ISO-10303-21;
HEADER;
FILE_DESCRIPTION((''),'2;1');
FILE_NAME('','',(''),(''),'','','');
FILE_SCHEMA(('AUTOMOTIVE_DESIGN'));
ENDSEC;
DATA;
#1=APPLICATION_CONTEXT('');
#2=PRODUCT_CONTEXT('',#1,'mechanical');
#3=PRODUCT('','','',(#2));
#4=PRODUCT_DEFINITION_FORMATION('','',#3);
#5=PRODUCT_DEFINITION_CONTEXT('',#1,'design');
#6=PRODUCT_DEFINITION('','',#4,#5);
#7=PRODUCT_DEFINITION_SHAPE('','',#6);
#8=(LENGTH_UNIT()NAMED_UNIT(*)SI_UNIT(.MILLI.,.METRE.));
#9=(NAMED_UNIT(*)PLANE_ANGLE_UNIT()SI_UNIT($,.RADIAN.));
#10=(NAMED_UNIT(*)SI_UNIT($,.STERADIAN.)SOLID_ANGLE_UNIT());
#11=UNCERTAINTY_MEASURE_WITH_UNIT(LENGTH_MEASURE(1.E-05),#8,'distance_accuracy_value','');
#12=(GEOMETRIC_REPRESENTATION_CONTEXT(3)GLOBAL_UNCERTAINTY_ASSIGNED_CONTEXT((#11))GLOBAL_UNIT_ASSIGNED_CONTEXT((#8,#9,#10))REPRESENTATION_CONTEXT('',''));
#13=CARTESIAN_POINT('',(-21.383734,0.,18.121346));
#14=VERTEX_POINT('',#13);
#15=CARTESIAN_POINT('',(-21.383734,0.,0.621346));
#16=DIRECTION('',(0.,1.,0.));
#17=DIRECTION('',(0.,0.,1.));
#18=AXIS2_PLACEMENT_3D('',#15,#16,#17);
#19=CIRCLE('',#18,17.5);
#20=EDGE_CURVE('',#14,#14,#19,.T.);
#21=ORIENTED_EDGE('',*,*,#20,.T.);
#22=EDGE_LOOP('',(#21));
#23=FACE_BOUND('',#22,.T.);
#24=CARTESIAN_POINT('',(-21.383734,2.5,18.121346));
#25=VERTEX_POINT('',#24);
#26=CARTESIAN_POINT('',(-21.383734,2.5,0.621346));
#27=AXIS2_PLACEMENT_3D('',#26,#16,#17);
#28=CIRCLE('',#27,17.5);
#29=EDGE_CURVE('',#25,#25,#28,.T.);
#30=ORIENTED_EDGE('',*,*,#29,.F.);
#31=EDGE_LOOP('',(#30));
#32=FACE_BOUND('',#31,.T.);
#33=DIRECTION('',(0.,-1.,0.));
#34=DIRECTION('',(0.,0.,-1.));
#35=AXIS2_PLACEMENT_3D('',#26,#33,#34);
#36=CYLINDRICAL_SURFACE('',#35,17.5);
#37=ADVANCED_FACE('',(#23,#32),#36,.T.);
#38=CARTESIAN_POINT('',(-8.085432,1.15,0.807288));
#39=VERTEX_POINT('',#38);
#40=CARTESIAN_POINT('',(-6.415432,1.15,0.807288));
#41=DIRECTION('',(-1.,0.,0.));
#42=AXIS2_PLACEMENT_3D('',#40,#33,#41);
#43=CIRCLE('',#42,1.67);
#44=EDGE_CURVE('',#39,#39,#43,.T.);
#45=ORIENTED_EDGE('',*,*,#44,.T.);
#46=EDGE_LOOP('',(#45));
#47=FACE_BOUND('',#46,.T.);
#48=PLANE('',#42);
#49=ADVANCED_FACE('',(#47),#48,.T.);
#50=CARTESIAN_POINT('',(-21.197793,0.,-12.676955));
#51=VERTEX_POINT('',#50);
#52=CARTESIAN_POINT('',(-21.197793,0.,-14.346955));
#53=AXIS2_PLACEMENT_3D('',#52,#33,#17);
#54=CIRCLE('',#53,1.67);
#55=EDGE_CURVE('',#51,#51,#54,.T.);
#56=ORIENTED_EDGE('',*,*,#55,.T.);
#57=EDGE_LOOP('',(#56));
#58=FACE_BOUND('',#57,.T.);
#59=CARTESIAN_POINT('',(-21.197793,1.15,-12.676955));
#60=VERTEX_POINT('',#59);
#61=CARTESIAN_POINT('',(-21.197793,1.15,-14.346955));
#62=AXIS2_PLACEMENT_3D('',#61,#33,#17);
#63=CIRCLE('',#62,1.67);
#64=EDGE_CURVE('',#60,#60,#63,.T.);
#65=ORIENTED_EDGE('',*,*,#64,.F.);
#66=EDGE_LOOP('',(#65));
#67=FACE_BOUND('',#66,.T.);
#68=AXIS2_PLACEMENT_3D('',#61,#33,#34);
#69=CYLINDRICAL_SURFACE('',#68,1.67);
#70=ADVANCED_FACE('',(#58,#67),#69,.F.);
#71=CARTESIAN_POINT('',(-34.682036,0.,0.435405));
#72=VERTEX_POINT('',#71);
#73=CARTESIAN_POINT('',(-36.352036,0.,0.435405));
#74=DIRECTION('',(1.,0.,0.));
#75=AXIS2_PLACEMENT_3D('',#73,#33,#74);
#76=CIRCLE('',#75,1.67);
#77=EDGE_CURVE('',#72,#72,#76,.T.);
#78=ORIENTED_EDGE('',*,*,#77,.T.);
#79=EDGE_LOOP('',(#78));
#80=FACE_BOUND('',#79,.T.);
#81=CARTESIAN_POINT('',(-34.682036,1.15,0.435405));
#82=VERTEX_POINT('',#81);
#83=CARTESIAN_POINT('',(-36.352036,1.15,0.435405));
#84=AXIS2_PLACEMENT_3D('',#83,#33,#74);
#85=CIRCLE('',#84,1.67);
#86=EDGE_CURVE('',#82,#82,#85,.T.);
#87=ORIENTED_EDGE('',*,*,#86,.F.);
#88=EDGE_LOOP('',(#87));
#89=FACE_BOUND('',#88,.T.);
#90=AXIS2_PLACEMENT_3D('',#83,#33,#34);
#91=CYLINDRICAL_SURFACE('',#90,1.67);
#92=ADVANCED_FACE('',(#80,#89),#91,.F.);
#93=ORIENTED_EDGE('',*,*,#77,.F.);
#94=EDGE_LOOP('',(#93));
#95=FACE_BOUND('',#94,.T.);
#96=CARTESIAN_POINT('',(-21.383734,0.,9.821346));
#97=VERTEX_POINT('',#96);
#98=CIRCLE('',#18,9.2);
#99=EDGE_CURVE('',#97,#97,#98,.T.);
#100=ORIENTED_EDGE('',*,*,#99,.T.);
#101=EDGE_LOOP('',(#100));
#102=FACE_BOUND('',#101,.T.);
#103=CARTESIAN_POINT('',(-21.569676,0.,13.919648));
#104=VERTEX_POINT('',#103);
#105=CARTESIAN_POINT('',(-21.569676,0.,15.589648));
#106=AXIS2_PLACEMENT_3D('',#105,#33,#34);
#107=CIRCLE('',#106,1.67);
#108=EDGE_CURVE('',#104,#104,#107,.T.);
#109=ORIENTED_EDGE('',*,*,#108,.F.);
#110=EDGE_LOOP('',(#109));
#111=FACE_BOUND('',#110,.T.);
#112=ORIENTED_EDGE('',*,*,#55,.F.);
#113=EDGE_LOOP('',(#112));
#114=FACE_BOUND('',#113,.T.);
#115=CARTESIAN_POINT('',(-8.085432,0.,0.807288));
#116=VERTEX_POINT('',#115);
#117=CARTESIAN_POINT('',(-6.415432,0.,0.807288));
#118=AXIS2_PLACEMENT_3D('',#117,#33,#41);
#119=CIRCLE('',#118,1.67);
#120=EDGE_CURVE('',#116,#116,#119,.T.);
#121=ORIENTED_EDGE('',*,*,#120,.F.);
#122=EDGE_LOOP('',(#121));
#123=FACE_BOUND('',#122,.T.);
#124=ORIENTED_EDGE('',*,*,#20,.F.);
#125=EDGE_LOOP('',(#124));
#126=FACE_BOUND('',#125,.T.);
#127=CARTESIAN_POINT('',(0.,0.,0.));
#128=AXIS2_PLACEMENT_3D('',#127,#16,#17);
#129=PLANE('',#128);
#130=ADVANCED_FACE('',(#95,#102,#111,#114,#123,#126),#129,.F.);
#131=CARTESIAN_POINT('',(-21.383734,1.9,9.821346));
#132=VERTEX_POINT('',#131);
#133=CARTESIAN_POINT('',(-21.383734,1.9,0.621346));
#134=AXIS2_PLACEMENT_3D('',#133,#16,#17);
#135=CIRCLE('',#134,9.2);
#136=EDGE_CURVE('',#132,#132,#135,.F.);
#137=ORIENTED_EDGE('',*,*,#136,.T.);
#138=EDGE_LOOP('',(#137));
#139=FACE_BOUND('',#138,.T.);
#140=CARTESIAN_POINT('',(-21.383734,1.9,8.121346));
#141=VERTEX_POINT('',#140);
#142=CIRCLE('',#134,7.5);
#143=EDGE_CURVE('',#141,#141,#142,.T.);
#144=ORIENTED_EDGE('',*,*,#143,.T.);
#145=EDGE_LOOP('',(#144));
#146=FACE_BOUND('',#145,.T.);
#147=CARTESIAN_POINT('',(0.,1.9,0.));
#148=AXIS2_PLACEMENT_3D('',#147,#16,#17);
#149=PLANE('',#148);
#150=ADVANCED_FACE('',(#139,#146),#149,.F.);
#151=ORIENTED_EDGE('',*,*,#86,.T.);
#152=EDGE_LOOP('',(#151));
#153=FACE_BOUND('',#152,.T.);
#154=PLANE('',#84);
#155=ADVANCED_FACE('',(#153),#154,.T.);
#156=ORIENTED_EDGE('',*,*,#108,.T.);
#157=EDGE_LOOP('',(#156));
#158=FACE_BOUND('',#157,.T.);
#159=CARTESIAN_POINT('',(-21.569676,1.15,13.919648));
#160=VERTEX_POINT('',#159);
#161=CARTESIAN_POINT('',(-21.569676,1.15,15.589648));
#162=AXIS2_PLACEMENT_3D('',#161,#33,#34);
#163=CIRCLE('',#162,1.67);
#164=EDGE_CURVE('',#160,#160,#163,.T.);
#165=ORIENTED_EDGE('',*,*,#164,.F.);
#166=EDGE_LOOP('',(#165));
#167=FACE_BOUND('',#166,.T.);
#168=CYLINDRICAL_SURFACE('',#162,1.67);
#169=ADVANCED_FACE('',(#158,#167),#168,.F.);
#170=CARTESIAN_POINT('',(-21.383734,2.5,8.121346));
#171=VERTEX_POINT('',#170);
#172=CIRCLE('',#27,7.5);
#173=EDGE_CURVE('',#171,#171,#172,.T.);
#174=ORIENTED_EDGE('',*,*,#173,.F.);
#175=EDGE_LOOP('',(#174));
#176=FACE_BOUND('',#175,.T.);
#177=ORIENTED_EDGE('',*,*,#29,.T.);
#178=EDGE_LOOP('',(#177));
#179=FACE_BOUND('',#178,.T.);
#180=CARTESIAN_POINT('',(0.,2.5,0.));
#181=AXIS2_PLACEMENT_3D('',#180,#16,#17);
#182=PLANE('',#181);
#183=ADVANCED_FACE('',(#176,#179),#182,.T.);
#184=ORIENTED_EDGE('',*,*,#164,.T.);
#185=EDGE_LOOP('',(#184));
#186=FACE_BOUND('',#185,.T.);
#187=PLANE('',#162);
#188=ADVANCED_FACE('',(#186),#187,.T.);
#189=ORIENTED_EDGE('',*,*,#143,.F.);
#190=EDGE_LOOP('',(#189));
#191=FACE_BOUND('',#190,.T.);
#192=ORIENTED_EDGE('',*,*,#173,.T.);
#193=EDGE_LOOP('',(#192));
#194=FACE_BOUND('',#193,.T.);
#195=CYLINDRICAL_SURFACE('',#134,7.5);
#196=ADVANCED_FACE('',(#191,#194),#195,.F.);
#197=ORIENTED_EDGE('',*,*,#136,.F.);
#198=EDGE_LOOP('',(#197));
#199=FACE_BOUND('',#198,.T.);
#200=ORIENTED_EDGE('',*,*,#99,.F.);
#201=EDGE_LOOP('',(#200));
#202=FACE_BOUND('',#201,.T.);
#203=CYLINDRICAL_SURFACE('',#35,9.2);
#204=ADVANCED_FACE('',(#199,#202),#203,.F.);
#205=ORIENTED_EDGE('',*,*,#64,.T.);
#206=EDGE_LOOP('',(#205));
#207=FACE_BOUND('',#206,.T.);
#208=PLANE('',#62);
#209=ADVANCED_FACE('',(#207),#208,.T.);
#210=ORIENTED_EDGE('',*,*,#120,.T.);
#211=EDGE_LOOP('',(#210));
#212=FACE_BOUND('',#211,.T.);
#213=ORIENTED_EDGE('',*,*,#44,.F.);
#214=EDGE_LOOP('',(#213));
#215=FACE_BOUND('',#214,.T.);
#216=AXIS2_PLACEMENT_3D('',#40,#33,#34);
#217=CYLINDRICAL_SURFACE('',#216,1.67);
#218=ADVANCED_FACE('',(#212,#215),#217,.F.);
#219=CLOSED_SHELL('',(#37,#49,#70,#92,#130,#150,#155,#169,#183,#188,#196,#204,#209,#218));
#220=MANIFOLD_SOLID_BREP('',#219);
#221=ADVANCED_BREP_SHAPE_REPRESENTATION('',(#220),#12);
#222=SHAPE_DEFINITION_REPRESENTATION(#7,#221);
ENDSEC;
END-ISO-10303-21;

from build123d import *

# Parameters (mm, degrees)
SKETCH2_R           = 17.5
SKETCH2_R_2         = 9.2
BOSS_EXTRUDE1_DEPTH = 2.5
BOSS_EXTRUDE2_START = -0.6
SKETCH3_R           = 9.2
SKETCH3_R_2         = 7.5
BOSS_EXTRUDE2_DEPTH = 0.6
SKETCH4_R           = 1.67
CUT_EXTRUDE1_DEPTH  = 1.15
CIRPATTERN1_COUNT   = 4


with BuildPart() as part:
    # Sketch2 → Boss-Extrude1 (new body)
    with BuildSketch(Plane(origin=(0, 0, 0), x_dir=(1, 0, 0), z_dir=(0, 1, 0))):
        with Locations(Location((-21.383734207, -0.621346489, 0), (0, 0, 270))):
            Circle(SKETCH2_R)
        with Locations(Location((-21.383734207, -0.621346489, 0), (0, 0, 270))):
            Circle(SKETCH2_R_2, mode=Mode.SUBTRACT)
    extrude(amount=BOSS_EXTRUDE1_DEPTH)

    # Sketch3 → Boss-Extrude2 (add)
    with BuildSketch(Plane(origin=(0, 2.5, 0), x_dir=(1, 0, 0), z_dir=(0, 1, 0)).offset(BOSS_EXTRUDE2_START)):
        with Locations(Location((-21.383734207, -0.621346489, 0), (0, 0, 270))):
            Circle(SKETCH3_R)
        with Locations(Location((-21.383734207, -0.621346489, 0), (0, 0, 270))):
            Circle(SKETCH3_R_2, mode=Mode.SUBTRACT)
    extrude(amount=BOSS_EXTRUDE2_DEPTH)

    # Sketch4 → Cut-Extrude1 (cut)
    with BuildSketch(Plane.XZ):
        with Locations(Location((-21.569675845, 15.589648339, 0), (0, 0, 270))):
            Circle(SKETCH4_R)
    cut_extrude1 = extrude(amount=-CUT_EXTRUDE1_DEPTH, mode=Mode.SUBTRACT)

    # CirPattern1: Cut-Extrude1 ×4 about axis
    cirpattern1_axis = Axis((-21.383734207, 0, 0.621346489), (0, 1, 0))
    for i in range(1, CIRPATTERN1_COUNT):
        add(cut_extrude1.rotate(cirpattern1_axis, i * 360 / CIRPATTERN1_COUNT), mode=Mode.SUBTRACT)


solid = part.part
